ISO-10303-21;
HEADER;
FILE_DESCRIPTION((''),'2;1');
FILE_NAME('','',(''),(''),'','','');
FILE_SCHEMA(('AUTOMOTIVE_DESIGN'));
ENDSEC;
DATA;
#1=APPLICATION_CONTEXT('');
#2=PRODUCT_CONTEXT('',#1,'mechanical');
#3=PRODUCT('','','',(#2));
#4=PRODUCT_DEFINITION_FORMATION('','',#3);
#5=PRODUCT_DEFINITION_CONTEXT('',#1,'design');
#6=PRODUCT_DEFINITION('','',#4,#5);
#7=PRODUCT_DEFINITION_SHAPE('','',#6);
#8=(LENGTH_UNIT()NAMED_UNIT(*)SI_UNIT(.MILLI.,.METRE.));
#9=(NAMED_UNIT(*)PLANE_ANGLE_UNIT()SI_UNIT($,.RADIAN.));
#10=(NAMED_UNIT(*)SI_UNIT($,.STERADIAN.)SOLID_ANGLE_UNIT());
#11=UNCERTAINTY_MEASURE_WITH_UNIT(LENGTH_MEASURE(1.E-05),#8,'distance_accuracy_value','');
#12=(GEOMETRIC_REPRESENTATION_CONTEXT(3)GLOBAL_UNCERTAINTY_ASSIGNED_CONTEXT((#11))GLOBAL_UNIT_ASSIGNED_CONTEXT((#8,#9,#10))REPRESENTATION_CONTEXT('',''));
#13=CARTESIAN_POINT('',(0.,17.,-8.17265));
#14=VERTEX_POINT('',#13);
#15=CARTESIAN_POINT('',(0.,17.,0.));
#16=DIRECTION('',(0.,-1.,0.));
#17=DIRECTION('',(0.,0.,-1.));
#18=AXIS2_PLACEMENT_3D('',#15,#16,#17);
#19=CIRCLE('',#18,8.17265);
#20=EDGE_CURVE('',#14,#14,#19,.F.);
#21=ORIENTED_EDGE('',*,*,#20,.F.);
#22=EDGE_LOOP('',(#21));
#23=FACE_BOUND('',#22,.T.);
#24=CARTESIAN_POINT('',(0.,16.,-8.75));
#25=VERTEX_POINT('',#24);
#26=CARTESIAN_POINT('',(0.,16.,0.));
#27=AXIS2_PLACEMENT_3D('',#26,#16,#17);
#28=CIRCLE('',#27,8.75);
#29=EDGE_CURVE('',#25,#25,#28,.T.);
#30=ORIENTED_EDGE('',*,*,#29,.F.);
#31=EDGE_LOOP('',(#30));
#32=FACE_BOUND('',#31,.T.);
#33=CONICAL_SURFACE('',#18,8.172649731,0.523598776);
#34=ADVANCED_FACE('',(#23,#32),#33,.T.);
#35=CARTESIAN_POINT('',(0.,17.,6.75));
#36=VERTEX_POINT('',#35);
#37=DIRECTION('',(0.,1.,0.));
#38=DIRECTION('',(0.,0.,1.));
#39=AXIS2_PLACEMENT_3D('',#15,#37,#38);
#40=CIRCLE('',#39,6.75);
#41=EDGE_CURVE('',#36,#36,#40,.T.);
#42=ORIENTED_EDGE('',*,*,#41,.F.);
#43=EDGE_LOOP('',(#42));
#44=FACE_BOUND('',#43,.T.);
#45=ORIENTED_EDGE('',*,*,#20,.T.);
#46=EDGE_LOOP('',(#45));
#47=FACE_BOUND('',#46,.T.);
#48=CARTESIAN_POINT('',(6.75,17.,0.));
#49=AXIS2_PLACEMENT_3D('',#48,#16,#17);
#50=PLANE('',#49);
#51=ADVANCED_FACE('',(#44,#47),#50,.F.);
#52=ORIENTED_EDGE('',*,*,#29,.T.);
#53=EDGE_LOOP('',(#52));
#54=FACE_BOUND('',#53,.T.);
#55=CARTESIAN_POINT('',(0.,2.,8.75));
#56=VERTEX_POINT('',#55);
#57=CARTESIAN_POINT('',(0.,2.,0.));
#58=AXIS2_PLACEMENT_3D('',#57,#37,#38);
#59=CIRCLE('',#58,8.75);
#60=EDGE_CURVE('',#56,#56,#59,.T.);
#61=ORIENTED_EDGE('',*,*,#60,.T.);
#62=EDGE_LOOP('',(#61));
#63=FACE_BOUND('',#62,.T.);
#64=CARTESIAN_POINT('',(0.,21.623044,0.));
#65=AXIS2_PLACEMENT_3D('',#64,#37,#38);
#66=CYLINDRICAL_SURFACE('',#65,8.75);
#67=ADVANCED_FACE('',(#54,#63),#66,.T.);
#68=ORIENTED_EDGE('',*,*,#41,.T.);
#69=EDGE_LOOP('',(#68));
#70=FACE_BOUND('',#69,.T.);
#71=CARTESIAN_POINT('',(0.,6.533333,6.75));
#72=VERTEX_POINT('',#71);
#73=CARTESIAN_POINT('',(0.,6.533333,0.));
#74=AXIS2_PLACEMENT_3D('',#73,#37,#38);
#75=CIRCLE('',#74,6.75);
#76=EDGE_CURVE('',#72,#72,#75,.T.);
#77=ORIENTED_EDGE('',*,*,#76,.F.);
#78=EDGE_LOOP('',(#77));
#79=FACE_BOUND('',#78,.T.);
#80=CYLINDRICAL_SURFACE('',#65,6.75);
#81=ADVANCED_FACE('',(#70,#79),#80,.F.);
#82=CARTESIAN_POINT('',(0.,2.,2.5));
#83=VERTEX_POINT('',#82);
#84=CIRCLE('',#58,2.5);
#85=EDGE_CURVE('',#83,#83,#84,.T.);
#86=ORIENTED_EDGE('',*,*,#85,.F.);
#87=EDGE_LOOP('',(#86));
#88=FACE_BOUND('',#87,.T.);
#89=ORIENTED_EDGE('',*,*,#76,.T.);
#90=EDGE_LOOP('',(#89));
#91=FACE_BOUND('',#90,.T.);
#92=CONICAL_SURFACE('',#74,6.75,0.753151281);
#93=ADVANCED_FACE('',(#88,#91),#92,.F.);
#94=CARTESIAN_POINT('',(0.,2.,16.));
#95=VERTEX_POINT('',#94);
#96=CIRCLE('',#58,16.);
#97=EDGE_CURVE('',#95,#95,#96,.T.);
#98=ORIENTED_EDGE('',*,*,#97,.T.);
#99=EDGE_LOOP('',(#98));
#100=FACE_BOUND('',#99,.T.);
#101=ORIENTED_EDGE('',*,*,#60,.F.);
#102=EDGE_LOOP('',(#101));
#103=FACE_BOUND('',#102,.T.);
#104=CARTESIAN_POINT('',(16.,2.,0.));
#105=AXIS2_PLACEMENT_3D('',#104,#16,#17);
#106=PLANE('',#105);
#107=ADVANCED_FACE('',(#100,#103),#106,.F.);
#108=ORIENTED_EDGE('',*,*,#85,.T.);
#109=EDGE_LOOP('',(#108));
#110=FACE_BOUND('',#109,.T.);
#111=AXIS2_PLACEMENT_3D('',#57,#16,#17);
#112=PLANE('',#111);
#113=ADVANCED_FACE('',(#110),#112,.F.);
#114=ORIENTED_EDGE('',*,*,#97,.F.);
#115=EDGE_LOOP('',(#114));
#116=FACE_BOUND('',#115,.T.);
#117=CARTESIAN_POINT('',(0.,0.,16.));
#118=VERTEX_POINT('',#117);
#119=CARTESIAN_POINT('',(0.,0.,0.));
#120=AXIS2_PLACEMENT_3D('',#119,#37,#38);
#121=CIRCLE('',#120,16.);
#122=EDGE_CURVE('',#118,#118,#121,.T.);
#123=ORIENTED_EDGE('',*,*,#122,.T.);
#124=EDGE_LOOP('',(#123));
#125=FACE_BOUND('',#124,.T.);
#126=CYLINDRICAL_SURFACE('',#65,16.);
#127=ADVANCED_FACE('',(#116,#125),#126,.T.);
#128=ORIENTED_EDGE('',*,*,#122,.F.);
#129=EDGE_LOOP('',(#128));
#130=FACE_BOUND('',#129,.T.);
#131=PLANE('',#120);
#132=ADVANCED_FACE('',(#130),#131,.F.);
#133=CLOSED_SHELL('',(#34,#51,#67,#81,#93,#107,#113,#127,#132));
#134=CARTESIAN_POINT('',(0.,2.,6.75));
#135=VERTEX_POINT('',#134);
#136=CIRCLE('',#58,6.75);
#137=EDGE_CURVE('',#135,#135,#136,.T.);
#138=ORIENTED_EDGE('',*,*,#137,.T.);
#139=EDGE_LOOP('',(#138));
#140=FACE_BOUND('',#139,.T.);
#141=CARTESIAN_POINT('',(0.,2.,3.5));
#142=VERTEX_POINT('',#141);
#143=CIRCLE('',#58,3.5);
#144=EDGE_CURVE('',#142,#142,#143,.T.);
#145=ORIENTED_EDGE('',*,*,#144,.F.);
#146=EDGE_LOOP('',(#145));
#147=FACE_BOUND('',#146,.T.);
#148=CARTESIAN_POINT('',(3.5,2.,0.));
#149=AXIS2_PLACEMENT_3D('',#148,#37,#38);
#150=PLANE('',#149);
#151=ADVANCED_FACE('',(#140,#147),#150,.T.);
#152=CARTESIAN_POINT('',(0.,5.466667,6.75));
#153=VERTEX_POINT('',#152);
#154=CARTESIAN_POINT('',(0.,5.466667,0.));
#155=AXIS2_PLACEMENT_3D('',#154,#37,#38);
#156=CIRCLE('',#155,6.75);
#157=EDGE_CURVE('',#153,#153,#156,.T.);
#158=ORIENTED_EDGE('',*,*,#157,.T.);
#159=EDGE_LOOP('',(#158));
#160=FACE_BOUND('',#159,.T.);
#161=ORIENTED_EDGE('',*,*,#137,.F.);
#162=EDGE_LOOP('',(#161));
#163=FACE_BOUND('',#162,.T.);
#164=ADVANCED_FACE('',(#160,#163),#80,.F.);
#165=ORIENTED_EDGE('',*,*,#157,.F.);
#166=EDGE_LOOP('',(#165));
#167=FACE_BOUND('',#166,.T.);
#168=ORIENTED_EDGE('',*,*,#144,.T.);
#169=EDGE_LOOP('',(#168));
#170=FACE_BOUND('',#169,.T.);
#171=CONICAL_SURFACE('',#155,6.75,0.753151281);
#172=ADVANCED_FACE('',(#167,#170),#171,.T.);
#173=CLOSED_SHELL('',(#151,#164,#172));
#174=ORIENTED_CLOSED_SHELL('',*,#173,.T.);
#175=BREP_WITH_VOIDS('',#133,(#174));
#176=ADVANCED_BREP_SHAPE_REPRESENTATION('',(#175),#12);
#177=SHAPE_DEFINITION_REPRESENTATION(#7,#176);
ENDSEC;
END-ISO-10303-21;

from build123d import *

# Parameters (mm, degrees)
CHAMFER1_SIZE  = 1
CHAMFER1_SIZE2 = 0.577350269


with BuildPart() as part:
    # Sketch1 → Revolve1 (revolve)
    with BuildSketch(Plane.XY, mode=Mode.PRIVATE) as revolve1_sk:
        Polygon((16, 2), (9, 2), (8.75, 2), (8.75, 17), (6.75, 17), (6.75, 6.533333333), (2.5, 2), (0, 2), (0, 0), (16, 0), align=None)
        Polygon((6.75, 2), (6.75, 5.466666667), (3.5, 2), align=None, mode=Mode.SUBTRACT)
    revolve(revolve1_sk.sketch.rotate(Axis((0, 21.623043933, 0), (0, -1, 0)), 90), axis=Axis((0, 21.623043933, 0), (0, -1, 0)))

    # Chamfer1
    chamfer1_edges = [part.edges().sort_by_distance(p)[0] for p in [
        (0, 17, -8.75),
    ]]
    chamfer1_side = [part.faces().sort_by_distance(p)[0] for p in [
        (0, 9.5, -8.75),
    ]]
    chamfer(chamfer1_edges, length=CHAMFER1_SIZE, length2=CHAMFER1_SIZE2, reference=chamfer1_side[0])


solid = part.part
